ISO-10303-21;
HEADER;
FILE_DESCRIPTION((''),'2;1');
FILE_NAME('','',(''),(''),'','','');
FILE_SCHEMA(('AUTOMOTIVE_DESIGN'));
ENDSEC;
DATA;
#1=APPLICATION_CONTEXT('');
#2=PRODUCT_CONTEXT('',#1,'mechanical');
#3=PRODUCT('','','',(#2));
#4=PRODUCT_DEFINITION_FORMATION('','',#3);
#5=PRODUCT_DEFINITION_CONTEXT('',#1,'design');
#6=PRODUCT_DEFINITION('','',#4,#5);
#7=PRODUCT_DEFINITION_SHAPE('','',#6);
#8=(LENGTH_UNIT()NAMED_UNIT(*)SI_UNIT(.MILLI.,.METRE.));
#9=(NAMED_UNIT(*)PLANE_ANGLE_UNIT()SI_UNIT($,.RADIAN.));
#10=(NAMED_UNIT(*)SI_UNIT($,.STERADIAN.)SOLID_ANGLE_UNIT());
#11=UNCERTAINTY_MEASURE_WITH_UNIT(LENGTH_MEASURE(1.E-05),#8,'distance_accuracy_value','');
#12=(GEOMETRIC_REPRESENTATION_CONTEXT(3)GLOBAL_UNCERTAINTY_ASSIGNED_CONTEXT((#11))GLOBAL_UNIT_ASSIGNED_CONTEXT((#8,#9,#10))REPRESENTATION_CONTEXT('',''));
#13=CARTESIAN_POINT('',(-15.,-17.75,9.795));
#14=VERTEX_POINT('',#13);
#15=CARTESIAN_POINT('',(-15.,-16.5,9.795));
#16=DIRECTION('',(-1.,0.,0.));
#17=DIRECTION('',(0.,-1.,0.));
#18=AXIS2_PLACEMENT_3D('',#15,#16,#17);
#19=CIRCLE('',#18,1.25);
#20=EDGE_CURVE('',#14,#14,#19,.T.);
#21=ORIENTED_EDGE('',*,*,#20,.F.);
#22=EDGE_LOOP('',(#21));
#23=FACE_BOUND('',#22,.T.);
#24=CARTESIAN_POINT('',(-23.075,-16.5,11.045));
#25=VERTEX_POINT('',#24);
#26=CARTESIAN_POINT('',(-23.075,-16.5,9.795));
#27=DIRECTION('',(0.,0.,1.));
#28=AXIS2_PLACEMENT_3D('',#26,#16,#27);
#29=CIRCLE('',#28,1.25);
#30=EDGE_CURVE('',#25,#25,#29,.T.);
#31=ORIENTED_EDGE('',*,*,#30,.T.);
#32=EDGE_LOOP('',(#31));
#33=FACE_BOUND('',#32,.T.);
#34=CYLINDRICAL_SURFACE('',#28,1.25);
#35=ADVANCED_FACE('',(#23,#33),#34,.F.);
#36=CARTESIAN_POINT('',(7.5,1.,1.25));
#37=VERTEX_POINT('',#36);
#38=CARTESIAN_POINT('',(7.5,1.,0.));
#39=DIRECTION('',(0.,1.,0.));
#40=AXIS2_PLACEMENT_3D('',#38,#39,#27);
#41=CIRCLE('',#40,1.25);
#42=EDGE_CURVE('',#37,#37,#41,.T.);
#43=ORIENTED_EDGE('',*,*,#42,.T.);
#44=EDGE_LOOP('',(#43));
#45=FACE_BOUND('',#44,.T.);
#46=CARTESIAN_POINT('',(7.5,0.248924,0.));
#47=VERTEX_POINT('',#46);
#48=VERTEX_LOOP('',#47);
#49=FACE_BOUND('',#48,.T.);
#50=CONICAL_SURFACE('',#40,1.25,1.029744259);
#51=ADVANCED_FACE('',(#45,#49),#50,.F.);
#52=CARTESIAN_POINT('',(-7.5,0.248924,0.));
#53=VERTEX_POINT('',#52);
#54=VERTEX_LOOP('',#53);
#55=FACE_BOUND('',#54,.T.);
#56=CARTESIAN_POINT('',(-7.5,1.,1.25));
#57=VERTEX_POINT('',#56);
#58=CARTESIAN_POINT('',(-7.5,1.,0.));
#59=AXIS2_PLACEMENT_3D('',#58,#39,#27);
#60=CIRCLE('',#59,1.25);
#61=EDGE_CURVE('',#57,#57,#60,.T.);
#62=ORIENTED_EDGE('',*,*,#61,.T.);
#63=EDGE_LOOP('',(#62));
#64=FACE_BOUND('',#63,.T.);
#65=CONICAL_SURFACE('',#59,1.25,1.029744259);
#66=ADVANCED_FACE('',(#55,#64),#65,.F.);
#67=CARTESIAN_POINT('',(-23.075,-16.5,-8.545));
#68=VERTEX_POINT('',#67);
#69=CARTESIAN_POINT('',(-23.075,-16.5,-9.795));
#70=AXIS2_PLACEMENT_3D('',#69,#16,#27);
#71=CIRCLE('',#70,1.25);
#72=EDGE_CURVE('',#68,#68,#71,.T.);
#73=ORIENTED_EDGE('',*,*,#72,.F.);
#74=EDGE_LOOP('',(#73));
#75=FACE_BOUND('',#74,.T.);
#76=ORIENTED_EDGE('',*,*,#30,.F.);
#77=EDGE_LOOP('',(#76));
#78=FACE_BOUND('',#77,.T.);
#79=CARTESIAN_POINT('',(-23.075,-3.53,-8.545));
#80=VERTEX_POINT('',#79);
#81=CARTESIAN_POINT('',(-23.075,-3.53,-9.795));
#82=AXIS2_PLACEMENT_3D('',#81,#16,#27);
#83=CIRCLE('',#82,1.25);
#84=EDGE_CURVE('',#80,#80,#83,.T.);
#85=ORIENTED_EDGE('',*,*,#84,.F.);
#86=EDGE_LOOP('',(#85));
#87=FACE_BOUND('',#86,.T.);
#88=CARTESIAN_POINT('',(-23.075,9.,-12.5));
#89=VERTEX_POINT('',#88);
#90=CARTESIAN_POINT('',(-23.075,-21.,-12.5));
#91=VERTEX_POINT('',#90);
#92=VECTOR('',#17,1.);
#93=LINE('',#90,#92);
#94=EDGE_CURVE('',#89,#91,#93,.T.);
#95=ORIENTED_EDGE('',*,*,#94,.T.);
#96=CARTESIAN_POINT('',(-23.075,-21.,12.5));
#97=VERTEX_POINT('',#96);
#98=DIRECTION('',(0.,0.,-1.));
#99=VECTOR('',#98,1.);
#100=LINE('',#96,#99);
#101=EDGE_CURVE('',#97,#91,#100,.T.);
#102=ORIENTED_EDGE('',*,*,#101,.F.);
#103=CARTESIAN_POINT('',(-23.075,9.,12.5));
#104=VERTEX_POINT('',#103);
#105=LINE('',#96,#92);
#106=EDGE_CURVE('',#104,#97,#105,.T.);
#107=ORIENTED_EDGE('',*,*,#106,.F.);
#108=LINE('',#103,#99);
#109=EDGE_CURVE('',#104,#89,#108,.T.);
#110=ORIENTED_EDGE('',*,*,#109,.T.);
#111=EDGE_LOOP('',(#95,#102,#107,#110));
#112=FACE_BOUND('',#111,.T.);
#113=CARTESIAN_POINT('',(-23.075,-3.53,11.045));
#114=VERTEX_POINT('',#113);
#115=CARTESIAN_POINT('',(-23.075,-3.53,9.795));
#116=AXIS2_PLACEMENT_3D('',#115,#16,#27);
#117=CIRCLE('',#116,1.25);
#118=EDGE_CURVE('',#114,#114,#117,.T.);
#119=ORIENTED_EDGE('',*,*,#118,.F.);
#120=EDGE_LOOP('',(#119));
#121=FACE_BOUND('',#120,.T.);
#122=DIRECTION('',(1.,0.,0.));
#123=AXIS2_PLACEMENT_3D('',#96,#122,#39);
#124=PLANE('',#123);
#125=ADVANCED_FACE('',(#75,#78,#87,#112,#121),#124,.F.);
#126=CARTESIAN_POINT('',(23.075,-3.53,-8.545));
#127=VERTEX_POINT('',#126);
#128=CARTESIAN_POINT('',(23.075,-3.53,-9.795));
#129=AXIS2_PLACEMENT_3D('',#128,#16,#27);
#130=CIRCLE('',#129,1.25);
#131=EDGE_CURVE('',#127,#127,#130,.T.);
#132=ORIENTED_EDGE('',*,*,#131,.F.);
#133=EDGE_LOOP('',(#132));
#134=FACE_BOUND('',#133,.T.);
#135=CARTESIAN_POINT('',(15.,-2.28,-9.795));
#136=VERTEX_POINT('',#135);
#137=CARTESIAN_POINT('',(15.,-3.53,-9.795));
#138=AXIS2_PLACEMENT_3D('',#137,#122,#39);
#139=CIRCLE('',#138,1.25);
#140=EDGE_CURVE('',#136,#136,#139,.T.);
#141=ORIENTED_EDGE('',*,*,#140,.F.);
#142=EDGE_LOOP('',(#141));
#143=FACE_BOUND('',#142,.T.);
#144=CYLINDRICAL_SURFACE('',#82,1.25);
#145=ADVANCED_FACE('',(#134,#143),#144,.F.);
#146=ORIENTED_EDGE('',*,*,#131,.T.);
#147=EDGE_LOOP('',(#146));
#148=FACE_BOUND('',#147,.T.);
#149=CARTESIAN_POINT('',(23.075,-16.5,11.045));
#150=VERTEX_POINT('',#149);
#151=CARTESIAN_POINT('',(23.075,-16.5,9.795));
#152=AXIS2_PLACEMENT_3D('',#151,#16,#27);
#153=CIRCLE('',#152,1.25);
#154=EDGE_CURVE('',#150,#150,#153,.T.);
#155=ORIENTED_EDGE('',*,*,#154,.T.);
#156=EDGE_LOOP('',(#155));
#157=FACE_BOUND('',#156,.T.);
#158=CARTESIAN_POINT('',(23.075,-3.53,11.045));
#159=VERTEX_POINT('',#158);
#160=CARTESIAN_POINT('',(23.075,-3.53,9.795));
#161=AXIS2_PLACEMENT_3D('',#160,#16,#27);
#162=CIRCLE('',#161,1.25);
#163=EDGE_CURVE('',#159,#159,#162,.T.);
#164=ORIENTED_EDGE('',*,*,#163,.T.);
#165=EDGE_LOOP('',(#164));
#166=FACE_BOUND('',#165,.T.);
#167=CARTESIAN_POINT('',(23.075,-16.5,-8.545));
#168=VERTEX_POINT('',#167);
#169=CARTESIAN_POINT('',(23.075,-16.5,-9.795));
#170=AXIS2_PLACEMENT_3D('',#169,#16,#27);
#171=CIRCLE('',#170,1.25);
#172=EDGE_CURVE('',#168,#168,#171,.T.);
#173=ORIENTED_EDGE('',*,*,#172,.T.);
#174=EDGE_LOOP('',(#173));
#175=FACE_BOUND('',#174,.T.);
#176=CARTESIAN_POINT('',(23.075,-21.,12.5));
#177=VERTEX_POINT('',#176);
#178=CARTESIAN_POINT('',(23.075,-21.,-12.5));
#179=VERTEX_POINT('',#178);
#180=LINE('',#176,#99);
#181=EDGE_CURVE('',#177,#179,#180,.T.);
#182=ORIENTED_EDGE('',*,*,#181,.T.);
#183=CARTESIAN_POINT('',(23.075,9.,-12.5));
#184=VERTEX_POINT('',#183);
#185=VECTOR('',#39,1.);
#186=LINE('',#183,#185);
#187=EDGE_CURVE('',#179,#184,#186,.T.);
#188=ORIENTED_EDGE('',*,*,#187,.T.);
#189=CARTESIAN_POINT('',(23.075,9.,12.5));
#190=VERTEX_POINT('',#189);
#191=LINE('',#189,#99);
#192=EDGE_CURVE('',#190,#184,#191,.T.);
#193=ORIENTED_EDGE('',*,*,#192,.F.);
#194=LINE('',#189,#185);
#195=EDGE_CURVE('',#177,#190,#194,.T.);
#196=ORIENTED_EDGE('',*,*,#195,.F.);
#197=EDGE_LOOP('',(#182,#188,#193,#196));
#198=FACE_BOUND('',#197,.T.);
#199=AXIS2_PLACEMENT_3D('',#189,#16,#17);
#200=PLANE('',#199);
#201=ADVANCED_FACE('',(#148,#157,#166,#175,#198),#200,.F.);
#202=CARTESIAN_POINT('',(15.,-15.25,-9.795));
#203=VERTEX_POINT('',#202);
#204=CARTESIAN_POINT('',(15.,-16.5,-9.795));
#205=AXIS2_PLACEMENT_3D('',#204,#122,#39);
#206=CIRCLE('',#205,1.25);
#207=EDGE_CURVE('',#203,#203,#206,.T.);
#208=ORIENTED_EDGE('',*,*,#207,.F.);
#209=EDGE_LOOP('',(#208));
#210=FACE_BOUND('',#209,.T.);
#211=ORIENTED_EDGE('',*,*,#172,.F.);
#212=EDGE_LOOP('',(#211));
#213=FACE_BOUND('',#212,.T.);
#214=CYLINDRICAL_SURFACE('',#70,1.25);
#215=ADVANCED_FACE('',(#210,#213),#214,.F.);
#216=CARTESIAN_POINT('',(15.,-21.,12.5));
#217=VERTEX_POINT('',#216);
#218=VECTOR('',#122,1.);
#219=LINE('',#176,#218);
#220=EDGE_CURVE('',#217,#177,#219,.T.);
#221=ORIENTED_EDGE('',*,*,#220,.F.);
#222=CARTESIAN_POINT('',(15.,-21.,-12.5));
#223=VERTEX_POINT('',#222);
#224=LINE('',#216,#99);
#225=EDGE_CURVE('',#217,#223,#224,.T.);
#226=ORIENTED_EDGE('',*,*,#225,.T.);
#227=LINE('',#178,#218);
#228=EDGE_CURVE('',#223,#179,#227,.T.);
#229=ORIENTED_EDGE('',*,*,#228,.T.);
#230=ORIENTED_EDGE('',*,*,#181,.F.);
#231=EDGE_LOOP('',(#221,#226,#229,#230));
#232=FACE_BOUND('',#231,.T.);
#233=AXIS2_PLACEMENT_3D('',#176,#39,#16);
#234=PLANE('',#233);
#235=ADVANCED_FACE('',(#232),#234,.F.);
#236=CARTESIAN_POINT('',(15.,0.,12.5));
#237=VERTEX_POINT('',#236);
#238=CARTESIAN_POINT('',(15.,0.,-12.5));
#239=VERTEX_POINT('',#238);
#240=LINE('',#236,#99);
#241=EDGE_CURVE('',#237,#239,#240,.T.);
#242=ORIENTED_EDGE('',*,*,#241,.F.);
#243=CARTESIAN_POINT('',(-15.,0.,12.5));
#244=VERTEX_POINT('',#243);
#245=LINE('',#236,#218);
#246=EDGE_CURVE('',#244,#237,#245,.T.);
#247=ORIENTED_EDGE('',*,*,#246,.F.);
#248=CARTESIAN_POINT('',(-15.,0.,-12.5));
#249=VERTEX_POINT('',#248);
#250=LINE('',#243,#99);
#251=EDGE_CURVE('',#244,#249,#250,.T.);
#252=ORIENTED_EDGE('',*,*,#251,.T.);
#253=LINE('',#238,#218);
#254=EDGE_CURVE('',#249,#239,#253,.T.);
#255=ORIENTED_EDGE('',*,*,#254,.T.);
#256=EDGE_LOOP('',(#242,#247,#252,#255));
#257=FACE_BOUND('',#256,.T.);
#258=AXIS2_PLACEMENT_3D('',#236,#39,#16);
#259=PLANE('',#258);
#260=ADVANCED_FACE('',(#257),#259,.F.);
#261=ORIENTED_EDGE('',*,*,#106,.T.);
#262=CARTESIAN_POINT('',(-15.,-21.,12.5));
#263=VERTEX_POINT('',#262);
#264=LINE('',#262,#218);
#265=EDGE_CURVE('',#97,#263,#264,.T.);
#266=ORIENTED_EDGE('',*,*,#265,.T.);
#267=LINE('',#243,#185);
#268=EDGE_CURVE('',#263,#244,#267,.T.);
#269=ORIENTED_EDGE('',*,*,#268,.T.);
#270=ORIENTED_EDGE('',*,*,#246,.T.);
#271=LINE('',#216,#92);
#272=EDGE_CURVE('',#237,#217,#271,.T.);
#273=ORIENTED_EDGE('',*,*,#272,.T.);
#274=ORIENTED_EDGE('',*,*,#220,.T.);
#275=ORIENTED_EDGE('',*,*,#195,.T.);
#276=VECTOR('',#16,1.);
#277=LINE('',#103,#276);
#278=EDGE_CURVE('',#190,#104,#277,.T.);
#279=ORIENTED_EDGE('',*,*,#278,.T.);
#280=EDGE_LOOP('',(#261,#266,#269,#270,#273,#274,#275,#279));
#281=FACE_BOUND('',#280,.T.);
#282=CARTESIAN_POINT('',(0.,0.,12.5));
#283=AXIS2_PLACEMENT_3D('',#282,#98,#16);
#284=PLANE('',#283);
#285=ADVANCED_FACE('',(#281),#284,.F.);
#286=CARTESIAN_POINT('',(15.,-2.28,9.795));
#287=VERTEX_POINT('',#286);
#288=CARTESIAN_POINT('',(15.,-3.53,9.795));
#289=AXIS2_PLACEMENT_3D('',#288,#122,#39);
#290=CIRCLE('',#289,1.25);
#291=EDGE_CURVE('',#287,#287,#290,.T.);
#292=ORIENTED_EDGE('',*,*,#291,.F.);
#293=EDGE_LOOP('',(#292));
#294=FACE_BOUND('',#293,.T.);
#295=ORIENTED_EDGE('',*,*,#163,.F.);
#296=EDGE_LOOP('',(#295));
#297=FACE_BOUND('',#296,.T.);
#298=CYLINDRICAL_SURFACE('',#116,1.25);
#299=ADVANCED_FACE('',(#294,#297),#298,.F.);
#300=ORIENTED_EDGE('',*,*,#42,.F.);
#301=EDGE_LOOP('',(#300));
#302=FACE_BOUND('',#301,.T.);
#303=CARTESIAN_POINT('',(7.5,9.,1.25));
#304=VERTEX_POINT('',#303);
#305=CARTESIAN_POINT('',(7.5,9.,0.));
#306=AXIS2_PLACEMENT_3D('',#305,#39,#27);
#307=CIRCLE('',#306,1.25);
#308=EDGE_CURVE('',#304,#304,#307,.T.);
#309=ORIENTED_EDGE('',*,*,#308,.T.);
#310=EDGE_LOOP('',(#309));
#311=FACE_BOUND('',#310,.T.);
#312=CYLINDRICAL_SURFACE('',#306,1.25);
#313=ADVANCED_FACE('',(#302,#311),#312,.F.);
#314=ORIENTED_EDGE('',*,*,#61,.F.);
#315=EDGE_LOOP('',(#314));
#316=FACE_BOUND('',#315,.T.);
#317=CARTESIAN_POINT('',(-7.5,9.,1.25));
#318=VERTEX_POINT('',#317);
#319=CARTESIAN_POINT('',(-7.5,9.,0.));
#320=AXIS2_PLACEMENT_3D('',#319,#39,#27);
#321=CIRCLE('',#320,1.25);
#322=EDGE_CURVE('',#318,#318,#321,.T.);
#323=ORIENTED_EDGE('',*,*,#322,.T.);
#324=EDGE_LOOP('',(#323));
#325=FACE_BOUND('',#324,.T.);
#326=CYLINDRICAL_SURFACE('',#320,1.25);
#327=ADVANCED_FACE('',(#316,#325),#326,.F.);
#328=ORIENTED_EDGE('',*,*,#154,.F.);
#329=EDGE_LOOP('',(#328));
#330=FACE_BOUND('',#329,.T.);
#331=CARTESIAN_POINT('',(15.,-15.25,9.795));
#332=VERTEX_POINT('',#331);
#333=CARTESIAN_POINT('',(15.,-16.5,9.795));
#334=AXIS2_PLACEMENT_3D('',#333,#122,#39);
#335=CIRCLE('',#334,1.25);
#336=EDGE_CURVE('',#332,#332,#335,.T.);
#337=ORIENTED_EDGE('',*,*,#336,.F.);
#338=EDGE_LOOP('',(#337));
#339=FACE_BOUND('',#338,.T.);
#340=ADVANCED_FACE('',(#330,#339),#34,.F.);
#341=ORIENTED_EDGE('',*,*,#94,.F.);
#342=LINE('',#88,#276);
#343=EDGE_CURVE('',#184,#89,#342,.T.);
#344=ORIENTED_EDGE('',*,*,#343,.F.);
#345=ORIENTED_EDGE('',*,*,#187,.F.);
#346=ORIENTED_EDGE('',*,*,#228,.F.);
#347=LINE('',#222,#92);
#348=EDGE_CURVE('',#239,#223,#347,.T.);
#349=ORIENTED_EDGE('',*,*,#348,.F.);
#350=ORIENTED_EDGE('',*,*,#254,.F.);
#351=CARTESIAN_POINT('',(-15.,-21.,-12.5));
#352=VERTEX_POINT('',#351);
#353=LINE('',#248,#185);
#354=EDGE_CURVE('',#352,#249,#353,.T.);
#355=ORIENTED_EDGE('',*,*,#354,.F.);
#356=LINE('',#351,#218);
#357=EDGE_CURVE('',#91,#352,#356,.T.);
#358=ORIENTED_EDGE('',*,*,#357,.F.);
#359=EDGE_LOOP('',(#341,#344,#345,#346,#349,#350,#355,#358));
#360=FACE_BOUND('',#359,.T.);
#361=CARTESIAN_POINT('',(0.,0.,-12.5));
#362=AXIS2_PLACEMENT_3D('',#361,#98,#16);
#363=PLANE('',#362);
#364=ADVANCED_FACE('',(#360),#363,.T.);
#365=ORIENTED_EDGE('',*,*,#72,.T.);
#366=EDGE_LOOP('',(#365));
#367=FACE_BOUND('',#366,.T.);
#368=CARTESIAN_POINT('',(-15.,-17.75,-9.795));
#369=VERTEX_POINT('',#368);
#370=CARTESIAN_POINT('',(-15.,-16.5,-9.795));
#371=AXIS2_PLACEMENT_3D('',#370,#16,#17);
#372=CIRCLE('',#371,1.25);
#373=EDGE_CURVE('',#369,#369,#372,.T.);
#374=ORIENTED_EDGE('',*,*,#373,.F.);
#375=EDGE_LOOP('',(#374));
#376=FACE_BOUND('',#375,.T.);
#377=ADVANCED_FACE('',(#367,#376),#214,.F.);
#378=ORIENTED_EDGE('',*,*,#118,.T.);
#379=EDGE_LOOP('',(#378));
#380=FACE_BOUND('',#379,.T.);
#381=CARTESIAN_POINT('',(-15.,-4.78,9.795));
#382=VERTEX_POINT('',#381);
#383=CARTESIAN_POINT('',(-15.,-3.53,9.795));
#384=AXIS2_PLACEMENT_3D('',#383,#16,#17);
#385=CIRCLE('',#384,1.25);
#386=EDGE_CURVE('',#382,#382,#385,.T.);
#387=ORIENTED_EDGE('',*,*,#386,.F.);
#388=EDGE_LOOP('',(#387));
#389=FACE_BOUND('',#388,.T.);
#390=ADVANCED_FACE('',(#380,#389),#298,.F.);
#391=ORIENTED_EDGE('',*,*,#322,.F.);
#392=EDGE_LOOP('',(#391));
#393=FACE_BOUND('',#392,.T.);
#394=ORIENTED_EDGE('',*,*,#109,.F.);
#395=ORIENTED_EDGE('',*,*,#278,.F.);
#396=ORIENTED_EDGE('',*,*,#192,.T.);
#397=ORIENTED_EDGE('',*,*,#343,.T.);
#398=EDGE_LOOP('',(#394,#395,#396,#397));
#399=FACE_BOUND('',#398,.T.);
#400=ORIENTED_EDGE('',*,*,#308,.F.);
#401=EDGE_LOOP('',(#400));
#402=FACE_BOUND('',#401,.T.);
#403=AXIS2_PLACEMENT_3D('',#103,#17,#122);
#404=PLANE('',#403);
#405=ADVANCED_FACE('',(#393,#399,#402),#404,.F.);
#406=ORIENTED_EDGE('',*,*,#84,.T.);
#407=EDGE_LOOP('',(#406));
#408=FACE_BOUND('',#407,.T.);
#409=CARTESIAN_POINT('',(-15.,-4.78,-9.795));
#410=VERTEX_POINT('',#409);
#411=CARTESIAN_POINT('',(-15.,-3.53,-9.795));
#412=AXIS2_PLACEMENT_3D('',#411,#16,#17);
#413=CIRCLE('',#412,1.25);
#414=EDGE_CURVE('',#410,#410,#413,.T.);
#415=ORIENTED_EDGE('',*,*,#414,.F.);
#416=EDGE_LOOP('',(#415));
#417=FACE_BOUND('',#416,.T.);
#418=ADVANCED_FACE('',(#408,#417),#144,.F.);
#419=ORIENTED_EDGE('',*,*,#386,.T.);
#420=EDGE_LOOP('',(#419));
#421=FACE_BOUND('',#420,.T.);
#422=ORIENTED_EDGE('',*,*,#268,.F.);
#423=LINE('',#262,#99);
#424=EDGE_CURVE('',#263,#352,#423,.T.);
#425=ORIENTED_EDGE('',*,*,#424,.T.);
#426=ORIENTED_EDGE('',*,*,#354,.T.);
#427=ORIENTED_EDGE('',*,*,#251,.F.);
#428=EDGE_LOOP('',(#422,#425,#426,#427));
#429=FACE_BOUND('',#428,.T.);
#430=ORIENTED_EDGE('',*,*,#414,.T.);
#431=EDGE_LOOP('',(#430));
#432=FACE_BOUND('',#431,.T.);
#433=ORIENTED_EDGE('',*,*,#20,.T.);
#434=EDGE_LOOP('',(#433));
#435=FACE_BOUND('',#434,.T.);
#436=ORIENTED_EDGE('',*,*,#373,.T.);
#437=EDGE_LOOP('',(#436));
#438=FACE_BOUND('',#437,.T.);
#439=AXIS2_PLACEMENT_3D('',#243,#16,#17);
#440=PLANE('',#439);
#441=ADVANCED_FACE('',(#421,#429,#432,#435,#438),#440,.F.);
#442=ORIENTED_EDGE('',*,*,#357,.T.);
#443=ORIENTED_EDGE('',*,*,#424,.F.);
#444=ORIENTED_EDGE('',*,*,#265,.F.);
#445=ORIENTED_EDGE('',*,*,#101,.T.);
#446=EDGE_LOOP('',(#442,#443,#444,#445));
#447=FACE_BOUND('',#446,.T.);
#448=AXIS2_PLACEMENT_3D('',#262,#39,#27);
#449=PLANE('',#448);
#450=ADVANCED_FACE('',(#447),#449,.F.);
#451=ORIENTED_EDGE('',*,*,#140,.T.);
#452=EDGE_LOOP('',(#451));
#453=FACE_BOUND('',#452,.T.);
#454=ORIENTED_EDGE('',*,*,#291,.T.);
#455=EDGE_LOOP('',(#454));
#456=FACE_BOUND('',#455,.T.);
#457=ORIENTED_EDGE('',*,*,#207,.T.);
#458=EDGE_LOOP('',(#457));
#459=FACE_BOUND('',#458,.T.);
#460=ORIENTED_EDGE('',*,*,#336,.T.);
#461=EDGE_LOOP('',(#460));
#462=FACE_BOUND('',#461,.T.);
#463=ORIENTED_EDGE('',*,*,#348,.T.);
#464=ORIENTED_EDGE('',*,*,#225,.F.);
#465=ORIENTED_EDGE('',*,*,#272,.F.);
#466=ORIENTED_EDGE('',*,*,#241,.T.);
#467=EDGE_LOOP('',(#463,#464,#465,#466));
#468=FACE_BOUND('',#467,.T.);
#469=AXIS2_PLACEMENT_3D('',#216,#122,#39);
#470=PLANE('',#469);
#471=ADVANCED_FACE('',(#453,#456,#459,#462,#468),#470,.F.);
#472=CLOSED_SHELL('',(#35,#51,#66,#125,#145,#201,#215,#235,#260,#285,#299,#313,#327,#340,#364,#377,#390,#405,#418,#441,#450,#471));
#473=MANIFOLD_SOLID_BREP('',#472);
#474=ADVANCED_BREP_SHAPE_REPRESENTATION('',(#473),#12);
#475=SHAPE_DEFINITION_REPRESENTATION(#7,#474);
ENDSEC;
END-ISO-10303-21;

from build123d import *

# Parameters (mm, degrees)
BOSS_EXTRUDE1_DEPTH       = 12.5
M3X0_5_TAPPED_HOLE1_D     = 2.5
M3X0_5_TAPPED_HOLE1_DEPTH = 8
M3X0_5_TAPPED_HOLE1_TIP   = 0.751075774
F_2_5MM_DOWEL_HOLE1_D     = 2.5


with BuildPart() as part:
    # Sketch2 → Boss-Extrude1 (new body, symmetric)
    with BuildSketch(Plane.XY):
        Polygon((-23.075, -21), (-23.075, 9), (23.075, 9), (23.075, -21), (15, -21), (15, 0), (-15, 0), (-15, -21), align=None)
    extrude(amount=BOSS_EXTRUDE1_DEPTH, both=True)

    # M3x0.5 Tapped Hole1
    with Locations(Plane(origin=(0, 9, 0), x_dir=(1, 0, 0), z_dir=(0, 1, 0))):
        with Locations((-7.5, 0), (7.5, 0)):
            Hole(M3X0_5_TAPPED_HOLE1_D / 2, depth=M3X0_5_TAPPED_HOLE1_DEPTH)
            with Locations((0, 0, -(M3X0_5_TAPPED_HOLE1_DEPTH + M3X0_5_TAPPED_HOLE1_TIP / 2))):  # 118° drill point
                Cone(0, M3X0_5_TAPPED_HOLE1_D / 2, M3X0_5_TAPPED_HOLE1_TIP, mode=Mode.SUBTRACT)

    # Ø2.5mm Dowel Hole1 (through all)
    with Locations(Plane.ZY.offset(23.075)):
        with Locations((-9.795, -3.53), (9.795, -16.5), (-9.795, -16.5), (9.795, -3.53)):
            Hole(F_2_5MM_DOWEL_HOLE1_D / 2)


solid = part.part
